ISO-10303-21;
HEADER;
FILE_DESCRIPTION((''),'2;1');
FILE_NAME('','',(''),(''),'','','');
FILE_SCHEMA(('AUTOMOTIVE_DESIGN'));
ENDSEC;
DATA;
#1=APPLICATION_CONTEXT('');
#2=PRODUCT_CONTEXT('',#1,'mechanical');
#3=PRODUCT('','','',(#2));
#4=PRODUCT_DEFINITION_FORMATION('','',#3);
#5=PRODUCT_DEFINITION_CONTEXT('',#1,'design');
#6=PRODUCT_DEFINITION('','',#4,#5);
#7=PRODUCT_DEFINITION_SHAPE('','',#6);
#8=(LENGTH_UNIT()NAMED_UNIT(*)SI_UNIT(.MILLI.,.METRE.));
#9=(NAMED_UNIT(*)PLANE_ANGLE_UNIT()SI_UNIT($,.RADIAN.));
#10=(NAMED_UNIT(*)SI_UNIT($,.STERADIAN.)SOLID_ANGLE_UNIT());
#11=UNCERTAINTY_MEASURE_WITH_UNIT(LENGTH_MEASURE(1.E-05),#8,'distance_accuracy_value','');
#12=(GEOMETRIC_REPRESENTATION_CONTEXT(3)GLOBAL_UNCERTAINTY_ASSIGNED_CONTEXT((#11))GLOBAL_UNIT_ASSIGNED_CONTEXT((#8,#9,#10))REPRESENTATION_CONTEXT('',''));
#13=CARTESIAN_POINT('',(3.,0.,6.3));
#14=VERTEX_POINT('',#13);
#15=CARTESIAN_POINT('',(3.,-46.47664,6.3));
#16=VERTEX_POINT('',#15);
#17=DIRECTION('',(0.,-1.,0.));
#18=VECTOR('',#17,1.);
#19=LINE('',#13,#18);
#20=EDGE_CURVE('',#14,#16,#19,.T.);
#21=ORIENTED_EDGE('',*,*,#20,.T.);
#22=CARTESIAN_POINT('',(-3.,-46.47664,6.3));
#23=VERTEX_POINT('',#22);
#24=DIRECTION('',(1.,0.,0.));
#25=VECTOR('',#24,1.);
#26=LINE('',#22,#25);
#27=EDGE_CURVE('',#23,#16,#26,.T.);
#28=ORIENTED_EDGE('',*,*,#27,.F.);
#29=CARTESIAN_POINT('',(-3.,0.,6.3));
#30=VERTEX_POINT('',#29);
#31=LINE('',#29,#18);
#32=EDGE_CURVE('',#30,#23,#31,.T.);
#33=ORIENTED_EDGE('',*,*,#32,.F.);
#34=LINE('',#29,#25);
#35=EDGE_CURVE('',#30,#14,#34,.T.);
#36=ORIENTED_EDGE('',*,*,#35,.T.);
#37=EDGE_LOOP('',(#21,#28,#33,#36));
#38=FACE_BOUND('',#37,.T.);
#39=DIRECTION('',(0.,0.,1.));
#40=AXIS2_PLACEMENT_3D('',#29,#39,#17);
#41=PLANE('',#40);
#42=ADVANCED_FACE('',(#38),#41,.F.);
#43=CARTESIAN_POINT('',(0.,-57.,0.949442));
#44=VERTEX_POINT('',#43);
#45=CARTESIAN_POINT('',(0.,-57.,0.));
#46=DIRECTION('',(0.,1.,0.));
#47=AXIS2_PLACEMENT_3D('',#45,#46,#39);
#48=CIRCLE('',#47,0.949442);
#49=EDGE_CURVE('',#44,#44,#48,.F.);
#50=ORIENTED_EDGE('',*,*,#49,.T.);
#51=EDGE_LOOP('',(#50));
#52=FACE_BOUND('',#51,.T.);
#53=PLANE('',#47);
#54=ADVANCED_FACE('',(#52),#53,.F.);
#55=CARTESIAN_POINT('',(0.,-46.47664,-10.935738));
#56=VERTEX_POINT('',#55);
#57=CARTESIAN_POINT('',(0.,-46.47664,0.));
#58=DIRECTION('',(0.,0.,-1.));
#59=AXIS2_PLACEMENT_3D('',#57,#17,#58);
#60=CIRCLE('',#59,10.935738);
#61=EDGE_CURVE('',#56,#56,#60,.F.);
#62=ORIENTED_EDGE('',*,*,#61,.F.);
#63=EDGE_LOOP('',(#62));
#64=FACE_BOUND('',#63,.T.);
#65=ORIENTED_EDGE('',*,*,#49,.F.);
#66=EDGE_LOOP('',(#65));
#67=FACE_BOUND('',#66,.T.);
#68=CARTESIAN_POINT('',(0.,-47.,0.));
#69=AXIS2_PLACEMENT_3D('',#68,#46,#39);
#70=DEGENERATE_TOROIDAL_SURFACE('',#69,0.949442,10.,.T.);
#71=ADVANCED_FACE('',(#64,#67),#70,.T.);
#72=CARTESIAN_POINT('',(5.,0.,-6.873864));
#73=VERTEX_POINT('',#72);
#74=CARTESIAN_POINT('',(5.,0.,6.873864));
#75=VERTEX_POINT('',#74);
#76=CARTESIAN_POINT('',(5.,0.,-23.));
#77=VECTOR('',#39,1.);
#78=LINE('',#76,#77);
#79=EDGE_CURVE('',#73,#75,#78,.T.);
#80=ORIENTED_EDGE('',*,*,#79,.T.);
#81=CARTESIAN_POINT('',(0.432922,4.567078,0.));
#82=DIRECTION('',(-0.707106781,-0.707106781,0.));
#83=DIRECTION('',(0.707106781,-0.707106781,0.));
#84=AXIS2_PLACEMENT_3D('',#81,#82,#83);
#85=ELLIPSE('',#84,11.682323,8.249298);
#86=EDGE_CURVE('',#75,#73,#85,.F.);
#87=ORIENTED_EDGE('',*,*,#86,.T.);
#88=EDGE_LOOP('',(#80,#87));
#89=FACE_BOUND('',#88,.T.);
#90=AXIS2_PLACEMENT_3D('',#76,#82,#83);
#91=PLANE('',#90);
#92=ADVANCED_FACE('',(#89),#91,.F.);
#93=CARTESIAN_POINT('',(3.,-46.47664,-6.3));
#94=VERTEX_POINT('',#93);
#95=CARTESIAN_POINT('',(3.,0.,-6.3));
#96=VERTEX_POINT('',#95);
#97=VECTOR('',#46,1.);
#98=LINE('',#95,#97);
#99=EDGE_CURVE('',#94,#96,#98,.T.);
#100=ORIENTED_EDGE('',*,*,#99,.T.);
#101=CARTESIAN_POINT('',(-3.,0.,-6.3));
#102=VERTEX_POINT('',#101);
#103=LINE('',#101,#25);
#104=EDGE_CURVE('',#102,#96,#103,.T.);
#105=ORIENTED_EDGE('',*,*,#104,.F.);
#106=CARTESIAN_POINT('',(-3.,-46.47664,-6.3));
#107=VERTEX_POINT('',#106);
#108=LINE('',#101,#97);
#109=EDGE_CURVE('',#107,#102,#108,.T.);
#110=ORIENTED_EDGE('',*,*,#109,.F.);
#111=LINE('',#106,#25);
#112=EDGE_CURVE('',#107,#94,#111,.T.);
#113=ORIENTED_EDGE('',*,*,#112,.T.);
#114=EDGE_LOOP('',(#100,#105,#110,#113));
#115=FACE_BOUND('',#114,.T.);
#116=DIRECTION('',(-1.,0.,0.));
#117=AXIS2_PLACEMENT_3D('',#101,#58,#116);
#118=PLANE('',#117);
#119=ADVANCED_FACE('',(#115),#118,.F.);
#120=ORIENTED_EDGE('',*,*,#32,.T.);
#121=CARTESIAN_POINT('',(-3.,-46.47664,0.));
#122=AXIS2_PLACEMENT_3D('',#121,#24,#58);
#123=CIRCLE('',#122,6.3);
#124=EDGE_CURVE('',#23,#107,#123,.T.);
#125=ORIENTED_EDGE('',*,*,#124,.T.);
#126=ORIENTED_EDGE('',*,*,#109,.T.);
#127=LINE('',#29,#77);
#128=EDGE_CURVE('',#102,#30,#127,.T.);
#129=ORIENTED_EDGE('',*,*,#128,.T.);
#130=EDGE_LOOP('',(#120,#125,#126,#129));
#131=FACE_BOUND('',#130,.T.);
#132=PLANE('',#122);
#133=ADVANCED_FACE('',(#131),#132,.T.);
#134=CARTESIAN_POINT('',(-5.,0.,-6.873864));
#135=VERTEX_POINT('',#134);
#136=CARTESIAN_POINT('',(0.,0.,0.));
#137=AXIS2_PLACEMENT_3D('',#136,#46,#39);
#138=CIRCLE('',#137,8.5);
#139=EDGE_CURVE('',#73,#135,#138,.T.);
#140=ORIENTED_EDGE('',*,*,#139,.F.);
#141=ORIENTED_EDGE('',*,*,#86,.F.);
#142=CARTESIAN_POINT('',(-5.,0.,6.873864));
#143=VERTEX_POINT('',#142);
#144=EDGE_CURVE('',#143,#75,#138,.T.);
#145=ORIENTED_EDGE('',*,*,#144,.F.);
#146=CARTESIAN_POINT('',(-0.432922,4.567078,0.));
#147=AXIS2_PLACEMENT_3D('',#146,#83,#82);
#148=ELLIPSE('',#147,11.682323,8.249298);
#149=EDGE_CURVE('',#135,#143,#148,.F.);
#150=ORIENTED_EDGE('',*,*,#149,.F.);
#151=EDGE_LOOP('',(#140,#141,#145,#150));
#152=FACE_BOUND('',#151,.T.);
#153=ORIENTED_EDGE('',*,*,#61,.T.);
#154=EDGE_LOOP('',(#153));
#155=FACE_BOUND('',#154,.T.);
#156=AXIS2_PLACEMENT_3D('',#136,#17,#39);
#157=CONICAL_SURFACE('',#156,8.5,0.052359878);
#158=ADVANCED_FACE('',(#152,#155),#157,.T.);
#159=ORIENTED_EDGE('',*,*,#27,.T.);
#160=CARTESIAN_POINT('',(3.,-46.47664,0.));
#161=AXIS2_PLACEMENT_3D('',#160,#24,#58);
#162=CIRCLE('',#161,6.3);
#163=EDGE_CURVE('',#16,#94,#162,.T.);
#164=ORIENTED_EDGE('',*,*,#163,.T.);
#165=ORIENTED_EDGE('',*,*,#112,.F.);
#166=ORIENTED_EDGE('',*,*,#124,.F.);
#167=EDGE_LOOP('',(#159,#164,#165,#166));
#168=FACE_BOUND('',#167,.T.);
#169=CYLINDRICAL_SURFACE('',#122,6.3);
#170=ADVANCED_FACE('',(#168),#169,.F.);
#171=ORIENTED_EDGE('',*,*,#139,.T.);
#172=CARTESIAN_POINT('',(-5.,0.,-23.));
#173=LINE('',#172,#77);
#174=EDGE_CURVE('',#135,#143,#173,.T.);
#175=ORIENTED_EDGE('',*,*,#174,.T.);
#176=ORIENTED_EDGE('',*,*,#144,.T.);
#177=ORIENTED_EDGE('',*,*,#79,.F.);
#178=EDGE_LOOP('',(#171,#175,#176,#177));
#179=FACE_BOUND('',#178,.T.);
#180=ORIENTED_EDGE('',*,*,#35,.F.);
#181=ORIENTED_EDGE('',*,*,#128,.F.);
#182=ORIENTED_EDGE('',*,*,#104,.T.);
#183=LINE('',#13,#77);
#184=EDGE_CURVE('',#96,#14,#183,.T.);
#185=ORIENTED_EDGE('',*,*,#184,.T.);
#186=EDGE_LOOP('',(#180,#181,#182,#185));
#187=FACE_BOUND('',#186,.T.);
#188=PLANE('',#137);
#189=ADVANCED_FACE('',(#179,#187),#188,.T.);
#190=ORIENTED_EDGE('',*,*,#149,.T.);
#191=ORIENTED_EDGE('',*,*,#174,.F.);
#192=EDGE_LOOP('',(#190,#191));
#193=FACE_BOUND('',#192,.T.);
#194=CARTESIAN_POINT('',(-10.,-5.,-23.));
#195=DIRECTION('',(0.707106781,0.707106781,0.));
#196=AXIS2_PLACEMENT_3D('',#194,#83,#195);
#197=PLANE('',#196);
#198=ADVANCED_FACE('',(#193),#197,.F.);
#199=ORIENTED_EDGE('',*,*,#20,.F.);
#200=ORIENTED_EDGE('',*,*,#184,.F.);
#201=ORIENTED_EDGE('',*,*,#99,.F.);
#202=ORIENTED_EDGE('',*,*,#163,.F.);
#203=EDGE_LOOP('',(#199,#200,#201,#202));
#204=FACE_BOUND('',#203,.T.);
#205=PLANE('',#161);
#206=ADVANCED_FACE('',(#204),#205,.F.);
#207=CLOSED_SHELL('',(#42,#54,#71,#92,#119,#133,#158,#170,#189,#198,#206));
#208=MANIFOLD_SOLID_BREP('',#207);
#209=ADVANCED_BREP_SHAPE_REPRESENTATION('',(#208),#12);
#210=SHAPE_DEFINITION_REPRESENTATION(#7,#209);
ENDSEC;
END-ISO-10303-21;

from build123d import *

# Parameters (mm, degrees)
SKETCH1_R           = 8.5
BOSS_EXTRUDE1_DEPTH = 57
BOSS_EXTRUDE1_TAPER = -3
FILLET1_R           = 10
CUT_EXTRUDE1_DEPTH  = 3
CUT_EXTRUDE2_DEPTH  = 23


with BuildPart() as part:
    # Sketch1 → Boss-Extrude1 (new body)
    with BuildSketch(Plane(origin=(0, 0, 0), x_dir=(1, 0, 0), z_dir=(0, 1, 0))):
        Circle(SKETCH1_R)
    extrude(amount=-BOSS_EXTRUDE1_DEPTH, taper=BOSS_EXTRUDE1_TAPER)

    # Fillet1
    fillet1_edges = [part.edges().sort_by_distance(p)[0] for p in [
        (-11.487243419, -57, 0),
    ]]
    fillet(fillet1_edges, radius=FILLET1_R)

    # Sketch2 → Cut-Extrude1 (cut, symmetric)
    with BuildSketch(Plane(origin=(0, 0, 0), x_dir=(0, 0, -1), z_dir=(1, 0, 0))):
        with BuildLine():
            Line((-6.3, 0), (6.3, 0))
            Line((6.3, 0), (6.3, -46.476640438))
            ThreePointArc((6.3, -46.476640438), (0, -52.776640438), (-6.3, -46.476640438))
            Line((-6.3, -46.476640438), (-6.3, 0))
        make_face()
    extrude(amount=CUT_EXTRUDE1_DEPTH, both=True, mode=Mode.SUBTRACT)

    # Sketch3 → Cut-Extrude2 (cut, symmetric)
    with BuildSketch(Plane.XY):
        Polygon((-5, 0), (5, 0), (10, -5), (10, 5), (-10, 5), (-10, -5), align=None)
    extrude(amount=CUT_EXTRUDE2_DEPTH, both=True, mode=Mode.SUBTRACT)


solid = part.part
